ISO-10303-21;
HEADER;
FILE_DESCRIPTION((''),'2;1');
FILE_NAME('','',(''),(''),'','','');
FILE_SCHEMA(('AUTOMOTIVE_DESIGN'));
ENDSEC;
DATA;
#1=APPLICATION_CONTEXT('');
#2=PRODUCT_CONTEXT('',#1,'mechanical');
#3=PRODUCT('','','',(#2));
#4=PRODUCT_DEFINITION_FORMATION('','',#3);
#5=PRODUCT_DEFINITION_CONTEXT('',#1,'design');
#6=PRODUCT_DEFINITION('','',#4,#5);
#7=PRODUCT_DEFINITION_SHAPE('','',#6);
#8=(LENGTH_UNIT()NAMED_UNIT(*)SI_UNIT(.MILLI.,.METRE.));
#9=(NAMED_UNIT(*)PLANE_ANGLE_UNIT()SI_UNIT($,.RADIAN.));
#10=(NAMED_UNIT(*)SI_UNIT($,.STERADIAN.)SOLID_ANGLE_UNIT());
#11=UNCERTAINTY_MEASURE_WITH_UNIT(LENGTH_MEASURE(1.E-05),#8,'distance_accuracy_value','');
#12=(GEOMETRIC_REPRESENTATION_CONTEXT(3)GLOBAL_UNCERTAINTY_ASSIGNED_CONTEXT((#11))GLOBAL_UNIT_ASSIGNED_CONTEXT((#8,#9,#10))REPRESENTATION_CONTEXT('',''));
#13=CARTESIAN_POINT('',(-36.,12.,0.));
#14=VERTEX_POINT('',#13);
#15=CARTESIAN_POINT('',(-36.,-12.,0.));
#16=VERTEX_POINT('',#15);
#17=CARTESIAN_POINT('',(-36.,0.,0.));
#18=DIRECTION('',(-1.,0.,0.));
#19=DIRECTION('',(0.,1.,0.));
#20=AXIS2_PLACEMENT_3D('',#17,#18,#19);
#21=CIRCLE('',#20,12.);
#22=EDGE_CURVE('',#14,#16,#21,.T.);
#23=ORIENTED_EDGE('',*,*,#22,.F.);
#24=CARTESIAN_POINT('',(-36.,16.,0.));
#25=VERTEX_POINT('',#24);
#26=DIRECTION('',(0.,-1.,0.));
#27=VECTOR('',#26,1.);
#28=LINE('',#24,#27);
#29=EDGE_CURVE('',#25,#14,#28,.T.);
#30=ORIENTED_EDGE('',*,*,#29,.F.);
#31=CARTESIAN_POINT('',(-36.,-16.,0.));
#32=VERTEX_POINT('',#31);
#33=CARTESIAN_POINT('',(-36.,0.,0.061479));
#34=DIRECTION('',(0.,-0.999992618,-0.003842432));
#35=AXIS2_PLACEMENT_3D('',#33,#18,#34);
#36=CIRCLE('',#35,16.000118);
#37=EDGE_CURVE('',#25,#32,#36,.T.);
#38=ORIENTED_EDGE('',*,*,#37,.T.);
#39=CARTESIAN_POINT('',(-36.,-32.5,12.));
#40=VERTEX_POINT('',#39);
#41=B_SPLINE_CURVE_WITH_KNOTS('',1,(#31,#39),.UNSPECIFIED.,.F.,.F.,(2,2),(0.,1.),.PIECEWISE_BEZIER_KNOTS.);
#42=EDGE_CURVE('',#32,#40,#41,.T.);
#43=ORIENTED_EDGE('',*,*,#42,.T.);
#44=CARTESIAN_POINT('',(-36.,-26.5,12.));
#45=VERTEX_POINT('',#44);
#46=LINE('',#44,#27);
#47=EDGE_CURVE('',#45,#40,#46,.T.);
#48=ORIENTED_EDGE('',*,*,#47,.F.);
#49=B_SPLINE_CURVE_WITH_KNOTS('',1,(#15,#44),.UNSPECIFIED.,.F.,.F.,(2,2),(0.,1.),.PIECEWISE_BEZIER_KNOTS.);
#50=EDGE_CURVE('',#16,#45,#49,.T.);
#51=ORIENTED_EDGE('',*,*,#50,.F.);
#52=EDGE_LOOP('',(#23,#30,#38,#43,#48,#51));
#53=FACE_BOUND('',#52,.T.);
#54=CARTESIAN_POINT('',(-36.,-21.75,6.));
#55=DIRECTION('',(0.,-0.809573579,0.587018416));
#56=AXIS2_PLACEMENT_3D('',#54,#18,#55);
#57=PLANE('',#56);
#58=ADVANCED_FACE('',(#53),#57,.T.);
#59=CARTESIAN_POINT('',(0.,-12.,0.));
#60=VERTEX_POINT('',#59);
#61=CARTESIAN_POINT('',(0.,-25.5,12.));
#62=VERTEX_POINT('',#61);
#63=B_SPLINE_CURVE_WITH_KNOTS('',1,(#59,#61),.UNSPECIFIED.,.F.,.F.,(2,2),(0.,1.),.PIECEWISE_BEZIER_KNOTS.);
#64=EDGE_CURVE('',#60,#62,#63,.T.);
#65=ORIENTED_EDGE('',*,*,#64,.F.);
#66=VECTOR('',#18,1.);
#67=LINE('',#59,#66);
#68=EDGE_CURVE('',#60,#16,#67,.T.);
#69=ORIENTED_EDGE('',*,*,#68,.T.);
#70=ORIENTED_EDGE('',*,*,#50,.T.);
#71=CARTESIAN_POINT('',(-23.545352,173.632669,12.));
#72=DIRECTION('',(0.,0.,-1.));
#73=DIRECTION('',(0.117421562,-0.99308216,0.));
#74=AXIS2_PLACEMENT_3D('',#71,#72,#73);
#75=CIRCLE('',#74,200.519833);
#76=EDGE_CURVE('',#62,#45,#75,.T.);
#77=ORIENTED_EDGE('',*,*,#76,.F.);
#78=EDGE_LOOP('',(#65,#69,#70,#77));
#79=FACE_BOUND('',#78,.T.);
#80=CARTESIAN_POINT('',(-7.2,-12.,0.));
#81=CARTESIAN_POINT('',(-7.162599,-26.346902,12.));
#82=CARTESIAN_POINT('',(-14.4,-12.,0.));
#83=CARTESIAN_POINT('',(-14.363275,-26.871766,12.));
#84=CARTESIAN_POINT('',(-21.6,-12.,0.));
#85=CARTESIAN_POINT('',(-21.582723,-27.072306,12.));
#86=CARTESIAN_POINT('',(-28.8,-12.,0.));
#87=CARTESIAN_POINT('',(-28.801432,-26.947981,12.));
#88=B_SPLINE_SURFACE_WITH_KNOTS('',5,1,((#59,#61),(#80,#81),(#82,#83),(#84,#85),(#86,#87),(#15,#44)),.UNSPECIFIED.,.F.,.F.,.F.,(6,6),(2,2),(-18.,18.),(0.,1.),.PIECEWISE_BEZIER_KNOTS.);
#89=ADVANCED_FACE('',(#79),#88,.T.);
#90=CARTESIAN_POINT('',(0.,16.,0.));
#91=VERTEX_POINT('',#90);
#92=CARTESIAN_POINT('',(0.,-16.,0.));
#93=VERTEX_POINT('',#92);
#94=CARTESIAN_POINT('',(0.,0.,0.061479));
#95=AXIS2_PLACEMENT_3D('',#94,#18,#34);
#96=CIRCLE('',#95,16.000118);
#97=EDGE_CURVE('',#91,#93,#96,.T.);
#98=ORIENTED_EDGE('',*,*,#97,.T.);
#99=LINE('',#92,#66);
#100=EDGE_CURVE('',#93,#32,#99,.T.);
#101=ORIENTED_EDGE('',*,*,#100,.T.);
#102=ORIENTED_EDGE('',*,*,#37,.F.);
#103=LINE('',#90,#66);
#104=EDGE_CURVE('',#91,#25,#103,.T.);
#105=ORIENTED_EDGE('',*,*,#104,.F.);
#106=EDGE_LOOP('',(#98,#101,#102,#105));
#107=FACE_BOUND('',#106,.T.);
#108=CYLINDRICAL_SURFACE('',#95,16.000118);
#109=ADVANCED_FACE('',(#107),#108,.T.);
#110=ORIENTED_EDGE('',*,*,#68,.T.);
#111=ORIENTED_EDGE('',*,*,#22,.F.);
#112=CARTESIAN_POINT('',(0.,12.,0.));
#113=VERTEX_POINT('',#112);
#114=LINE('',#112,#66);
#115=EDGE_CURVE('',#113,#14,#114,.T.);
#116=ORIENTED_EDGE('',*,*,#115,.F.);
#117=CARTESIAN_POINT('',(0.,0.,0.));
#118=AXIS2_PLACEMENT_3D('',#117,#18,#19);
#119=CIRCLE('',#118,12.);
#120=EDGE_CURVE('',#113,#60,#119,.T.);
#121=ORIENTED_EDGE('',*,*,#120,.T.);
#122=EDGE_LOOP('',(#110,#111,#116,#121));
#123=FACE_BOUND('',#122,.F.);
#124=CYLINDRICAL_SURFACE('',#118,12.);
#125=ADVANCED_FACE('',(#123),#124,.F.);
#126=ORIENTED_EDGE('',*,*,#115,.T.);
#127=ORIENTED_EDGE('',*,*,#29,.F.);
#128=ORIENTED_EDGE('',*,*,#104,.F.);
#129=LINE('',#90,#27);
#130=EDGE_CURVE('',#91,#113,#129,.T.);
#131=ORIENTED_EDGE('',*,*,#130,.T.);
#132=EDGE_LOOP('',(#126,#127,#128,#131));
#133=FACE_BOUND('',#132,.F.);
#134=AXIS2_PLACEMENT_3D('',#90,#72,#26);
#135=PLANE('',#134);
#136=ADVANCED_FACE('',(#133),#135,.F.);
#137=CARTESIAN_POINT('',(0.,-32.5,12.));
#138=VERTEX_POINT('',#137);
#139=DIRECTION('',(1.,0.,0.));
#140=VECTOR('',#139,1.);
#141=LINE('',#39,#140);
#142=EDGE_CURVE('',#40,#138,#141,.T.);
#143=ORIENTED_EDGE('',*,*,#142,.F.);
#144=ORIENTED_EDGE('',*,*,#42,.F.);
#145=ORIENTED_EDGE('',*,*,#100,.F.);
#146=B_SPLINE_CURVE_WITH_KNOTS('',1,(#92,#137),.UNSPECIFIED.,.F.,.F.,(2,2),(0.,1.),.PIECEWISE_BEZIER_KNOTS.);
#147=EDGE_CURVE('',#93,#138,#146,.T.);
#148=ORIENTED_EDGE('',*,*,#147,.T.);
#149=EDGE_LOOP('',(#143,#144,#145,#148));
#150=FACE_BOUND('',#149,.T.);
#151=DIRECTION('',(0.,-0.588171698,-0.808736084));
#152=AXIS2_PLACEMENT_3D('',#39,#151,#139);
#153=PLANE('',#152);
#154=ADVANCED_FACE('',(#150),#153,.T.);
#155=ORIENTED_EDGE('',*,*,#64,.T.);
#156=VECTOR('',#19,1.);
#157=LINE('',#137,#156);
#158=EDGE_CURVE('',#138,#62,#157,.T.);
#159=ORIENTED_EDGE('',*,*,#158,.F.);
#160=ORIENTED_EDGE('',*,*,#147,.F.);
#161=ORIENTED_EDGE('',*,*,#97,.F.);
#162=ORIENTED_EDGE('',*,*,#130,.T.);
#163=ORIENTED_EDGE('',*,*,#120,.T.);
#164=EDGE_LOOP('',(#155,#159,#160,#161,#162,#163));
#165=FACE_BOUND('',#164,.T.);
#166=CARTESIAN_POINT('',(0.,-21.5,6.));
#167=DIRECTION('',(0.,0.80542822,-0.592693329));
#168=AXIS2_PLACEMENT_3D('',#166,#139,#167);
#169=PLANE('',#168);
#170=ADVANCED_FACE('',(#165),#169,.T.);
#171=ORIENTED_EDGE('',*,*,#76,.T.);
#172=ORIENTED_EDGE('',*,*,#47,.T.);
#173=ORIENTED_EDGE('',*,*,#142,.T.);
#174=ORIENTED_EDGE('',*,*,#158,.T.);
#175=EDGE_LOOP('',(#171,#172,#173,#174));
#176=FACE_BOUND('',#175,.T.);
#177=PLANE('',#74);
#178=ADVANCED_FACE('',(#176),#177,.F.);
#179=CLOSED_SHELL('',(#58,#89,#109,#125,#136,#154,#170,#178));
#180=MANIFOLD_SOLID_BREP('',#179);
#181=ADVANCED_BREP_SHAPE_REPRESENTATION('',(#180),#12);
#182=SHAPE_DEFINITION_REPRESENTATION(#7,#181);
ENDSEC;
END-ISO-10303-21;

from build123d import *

# Parameters (mm, degrees)
F2_FACE_W = 36
F2_FACE_H = 4


with BuildPart() as f2:
    # F2: sweep along a path in F1
    with BuildLine(Plane.XY) as f2_path:
        Line((0, 0), (-36, 0))
    # F0 (on Right) → F2 (sweep)
    with BuildSketch(Plane.YZ):
        with BuildLine():
            ThreePointArc((12, 0), (0, -12), (-12, 0))
            Line((-12, 0), (-16, 0))
            ThreePointArc((-16, 0), (0, -15.9386387537), (16, 0))
            Line((16, 0), (12, 0))
        make_face()
    sweep(path=f2_path.line)

    # F2_face (on face) → F5 section 0
    with BuildSketch(Plane(origin=(-18, -14, 0), x_dir=(1, 0, 0), z_dir=(0, 0, 1))):
        Rectangle(F2_FACE_W, F2_FACE_H)
    # F4 (on offset) → F5 section 1
    with BuildSketch(Plane.XY.offset(12)):
        with BuildLine():
            ThreePointArc((0, -25.5), (-17.9775042284, -26.8098477779), (-36, -26.5))
            Line((-36, -26.5), (-36, -32.5))
            Line((-36, -32.5), (0, -32.5))
            Line((0, -32.5), (0, -25.5))
        make_face()
    loft()


solid = f2.part
